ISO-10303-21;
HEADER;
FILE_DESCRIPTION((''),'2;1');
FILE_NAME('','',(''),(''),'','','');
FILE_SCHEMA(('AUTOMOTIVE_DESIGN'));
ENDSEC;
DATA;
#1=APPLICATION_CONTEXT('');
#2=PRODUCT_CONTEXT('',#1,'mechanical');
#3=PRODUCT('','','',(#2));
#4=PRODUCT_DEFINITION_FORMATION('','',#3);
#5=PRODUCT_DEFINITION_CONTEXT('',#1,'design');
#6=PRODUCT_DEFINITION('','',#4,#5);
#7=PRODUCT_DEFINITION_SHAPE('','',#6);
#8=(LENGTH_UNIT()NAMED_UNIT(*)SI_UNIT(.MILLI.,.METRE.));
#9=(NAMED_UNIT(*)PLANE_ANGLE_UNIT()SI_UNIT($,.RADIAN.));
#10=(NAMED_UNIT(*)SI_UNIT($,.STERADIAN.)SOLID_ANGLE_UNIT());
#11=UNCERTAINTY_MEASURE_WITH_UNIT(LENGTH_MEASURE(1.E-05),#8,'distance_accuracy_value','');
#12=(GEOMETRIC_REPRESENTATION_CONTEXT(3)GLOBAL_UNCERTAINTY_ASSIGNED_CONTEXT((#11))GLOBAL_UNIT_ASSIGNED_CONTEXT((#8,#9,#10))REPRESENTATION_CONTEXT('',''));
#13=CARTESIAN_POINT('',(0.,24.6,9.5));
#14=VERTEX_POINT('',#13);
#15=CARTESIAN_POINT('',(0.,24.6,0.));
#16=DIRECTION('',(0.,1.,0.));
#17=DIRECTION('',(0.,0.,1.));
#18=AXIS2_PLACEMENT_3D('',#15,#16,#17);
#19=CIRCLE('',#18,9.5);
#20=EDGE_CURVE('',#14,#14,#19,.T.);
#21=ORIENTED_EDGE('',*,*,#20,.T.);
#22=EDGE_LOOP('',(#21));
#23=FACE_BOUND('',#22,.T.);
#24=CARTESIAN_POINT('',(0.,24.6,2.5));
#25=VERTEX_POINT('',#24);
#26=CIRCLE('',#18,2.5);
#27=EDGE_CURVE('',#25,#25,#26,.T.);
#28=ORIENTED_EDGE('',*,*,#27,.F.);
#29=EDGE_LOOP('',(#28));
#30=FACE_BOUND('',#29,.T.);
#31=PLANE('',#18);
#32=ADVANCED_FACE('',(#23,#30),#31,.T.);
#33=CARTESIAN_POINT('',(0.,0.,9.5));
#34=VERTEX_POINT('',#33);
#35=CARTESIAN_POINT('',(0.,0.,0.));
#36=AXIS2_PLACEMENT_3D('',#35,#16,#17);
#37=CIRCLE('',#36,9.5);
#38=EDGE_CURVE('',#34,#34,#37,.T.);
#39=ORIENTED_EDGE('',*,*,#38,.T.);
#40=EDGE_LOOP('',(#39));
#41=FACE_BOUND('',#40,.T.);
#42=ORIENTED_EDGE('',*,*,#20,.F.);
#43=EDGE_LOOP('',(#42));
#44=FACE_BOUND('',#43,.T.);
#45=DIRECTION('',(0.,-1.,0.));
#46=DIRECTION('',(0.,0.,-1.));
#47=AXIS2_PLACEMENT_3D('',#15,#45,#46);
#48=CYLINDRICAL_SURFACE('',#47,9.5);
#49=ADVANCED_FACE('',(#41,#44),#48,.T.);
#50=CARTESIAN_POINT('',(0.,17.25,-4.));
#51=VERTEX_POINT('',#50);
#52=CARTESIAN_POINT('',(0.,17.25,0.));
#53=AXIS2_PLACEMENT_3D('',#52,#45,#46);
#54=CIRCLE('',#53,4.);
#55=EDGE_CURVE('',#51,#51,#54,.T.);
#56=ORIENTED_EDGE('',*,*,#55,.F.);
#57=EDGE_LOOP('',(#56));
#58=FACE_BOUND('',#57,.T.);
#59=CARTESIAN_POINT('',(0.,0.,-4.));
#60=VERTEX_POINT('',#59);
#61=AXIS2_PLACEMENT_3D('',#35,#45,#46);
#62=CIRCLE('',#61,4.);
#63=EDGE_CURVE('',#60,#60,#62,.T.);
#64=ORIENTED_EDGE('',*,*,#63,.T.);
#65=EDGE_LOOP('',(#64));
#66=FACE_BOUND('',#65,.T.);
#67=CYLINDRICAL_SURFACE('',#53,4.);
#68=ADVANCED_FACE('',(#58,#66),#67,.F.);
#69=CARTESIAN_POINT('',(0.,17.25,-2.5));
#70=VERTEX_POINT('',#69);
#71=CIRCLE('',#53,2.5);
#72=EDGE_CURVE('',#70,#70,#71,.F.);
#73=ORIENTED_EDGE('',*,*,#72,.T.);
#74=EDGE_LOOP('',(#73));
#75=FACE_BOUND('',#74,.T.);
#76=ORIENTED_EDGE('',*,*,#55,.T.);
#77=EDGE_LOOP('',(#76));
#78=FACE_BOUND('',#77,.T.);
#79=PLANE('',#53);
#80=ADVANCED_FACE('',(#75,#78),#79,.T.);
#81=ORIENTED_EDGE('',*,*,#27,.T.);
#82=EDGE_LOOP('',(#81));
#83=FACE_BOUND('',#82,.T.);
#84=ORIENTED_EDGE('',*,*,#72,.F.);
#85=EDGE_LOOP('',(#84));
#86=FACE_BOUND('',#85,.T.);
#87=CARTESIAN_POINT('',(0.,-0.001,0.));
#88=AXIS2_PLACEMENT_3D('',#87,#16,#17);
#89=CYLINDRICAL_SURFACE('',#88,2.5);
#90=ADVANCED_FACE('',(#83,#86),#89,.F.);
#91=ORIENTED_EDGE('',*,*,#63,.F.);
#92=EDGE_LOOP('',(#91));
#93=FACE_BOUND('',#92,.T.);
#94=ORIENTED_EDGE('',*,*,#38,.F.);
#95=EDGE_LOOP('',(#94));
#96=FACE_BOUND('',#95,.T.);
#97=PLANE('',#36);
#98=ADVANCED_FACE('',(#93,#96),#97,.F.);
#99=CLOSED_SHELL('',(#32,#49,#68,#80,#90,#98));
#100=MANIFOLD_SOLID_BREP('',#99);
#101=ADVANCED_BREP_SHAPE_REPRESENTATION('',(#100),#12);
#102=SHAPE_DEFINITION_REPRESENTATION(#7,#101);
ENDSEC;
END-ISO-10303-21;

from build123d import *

# Parameters (mm, degrees)
SKETCH1_R           = 9.5
COUPLING_BODY_DEPTH = 24.6
F_5MM_HOLE_REACH    = 26.6
SKETCH2_R           = 2.5
SKETCH3_R           = 4
F_8_MM_HOLE_DEPTH   = 17.25


with BuildPart() as part:
    # Sketch1 → coupling body (new body)
    with BuildSketch(Plane(origin=(0, 0, 0), x_dir=(1, 0, 0), z_dir=(0, 1, 0))):
        Circle(SKETCH1_R)
    extrude(amount=COUPLING_BODY_DEPTH)

    # Sketch2 → 5mm hole (cut, up to next)
    with BuildSketch(Plane(origin=(0, 24.6, 0), x_dir=(1, 0, 0), z_dir=(0, 1, 0)), mode=Mode.PRIVATE) as f_5mm_hole_sk1:
        Circle(SKETCH2_R)
    f_5mm_hole_tool1 = extrude(f_5mm_hole_sk1.sketch, amount=-F_5MM_HOLE_REACH, mode=Mode.PRIVATE) & part.part
    add(f_5mm_hole_tool1.solids().sort_by_distance((0, 24.6, 0))[0], mode=Mode.SUBTRACT)

    # Sketch3 → 8 mm hole (cut)
    with BuildSketch(Plane.XZ):
        Circle(SKETCH3_R)
    extrude(amount=-F_8_MM_HOLE_DEPTH, mode=Mode.SUBTRACT)


solid = part.part
